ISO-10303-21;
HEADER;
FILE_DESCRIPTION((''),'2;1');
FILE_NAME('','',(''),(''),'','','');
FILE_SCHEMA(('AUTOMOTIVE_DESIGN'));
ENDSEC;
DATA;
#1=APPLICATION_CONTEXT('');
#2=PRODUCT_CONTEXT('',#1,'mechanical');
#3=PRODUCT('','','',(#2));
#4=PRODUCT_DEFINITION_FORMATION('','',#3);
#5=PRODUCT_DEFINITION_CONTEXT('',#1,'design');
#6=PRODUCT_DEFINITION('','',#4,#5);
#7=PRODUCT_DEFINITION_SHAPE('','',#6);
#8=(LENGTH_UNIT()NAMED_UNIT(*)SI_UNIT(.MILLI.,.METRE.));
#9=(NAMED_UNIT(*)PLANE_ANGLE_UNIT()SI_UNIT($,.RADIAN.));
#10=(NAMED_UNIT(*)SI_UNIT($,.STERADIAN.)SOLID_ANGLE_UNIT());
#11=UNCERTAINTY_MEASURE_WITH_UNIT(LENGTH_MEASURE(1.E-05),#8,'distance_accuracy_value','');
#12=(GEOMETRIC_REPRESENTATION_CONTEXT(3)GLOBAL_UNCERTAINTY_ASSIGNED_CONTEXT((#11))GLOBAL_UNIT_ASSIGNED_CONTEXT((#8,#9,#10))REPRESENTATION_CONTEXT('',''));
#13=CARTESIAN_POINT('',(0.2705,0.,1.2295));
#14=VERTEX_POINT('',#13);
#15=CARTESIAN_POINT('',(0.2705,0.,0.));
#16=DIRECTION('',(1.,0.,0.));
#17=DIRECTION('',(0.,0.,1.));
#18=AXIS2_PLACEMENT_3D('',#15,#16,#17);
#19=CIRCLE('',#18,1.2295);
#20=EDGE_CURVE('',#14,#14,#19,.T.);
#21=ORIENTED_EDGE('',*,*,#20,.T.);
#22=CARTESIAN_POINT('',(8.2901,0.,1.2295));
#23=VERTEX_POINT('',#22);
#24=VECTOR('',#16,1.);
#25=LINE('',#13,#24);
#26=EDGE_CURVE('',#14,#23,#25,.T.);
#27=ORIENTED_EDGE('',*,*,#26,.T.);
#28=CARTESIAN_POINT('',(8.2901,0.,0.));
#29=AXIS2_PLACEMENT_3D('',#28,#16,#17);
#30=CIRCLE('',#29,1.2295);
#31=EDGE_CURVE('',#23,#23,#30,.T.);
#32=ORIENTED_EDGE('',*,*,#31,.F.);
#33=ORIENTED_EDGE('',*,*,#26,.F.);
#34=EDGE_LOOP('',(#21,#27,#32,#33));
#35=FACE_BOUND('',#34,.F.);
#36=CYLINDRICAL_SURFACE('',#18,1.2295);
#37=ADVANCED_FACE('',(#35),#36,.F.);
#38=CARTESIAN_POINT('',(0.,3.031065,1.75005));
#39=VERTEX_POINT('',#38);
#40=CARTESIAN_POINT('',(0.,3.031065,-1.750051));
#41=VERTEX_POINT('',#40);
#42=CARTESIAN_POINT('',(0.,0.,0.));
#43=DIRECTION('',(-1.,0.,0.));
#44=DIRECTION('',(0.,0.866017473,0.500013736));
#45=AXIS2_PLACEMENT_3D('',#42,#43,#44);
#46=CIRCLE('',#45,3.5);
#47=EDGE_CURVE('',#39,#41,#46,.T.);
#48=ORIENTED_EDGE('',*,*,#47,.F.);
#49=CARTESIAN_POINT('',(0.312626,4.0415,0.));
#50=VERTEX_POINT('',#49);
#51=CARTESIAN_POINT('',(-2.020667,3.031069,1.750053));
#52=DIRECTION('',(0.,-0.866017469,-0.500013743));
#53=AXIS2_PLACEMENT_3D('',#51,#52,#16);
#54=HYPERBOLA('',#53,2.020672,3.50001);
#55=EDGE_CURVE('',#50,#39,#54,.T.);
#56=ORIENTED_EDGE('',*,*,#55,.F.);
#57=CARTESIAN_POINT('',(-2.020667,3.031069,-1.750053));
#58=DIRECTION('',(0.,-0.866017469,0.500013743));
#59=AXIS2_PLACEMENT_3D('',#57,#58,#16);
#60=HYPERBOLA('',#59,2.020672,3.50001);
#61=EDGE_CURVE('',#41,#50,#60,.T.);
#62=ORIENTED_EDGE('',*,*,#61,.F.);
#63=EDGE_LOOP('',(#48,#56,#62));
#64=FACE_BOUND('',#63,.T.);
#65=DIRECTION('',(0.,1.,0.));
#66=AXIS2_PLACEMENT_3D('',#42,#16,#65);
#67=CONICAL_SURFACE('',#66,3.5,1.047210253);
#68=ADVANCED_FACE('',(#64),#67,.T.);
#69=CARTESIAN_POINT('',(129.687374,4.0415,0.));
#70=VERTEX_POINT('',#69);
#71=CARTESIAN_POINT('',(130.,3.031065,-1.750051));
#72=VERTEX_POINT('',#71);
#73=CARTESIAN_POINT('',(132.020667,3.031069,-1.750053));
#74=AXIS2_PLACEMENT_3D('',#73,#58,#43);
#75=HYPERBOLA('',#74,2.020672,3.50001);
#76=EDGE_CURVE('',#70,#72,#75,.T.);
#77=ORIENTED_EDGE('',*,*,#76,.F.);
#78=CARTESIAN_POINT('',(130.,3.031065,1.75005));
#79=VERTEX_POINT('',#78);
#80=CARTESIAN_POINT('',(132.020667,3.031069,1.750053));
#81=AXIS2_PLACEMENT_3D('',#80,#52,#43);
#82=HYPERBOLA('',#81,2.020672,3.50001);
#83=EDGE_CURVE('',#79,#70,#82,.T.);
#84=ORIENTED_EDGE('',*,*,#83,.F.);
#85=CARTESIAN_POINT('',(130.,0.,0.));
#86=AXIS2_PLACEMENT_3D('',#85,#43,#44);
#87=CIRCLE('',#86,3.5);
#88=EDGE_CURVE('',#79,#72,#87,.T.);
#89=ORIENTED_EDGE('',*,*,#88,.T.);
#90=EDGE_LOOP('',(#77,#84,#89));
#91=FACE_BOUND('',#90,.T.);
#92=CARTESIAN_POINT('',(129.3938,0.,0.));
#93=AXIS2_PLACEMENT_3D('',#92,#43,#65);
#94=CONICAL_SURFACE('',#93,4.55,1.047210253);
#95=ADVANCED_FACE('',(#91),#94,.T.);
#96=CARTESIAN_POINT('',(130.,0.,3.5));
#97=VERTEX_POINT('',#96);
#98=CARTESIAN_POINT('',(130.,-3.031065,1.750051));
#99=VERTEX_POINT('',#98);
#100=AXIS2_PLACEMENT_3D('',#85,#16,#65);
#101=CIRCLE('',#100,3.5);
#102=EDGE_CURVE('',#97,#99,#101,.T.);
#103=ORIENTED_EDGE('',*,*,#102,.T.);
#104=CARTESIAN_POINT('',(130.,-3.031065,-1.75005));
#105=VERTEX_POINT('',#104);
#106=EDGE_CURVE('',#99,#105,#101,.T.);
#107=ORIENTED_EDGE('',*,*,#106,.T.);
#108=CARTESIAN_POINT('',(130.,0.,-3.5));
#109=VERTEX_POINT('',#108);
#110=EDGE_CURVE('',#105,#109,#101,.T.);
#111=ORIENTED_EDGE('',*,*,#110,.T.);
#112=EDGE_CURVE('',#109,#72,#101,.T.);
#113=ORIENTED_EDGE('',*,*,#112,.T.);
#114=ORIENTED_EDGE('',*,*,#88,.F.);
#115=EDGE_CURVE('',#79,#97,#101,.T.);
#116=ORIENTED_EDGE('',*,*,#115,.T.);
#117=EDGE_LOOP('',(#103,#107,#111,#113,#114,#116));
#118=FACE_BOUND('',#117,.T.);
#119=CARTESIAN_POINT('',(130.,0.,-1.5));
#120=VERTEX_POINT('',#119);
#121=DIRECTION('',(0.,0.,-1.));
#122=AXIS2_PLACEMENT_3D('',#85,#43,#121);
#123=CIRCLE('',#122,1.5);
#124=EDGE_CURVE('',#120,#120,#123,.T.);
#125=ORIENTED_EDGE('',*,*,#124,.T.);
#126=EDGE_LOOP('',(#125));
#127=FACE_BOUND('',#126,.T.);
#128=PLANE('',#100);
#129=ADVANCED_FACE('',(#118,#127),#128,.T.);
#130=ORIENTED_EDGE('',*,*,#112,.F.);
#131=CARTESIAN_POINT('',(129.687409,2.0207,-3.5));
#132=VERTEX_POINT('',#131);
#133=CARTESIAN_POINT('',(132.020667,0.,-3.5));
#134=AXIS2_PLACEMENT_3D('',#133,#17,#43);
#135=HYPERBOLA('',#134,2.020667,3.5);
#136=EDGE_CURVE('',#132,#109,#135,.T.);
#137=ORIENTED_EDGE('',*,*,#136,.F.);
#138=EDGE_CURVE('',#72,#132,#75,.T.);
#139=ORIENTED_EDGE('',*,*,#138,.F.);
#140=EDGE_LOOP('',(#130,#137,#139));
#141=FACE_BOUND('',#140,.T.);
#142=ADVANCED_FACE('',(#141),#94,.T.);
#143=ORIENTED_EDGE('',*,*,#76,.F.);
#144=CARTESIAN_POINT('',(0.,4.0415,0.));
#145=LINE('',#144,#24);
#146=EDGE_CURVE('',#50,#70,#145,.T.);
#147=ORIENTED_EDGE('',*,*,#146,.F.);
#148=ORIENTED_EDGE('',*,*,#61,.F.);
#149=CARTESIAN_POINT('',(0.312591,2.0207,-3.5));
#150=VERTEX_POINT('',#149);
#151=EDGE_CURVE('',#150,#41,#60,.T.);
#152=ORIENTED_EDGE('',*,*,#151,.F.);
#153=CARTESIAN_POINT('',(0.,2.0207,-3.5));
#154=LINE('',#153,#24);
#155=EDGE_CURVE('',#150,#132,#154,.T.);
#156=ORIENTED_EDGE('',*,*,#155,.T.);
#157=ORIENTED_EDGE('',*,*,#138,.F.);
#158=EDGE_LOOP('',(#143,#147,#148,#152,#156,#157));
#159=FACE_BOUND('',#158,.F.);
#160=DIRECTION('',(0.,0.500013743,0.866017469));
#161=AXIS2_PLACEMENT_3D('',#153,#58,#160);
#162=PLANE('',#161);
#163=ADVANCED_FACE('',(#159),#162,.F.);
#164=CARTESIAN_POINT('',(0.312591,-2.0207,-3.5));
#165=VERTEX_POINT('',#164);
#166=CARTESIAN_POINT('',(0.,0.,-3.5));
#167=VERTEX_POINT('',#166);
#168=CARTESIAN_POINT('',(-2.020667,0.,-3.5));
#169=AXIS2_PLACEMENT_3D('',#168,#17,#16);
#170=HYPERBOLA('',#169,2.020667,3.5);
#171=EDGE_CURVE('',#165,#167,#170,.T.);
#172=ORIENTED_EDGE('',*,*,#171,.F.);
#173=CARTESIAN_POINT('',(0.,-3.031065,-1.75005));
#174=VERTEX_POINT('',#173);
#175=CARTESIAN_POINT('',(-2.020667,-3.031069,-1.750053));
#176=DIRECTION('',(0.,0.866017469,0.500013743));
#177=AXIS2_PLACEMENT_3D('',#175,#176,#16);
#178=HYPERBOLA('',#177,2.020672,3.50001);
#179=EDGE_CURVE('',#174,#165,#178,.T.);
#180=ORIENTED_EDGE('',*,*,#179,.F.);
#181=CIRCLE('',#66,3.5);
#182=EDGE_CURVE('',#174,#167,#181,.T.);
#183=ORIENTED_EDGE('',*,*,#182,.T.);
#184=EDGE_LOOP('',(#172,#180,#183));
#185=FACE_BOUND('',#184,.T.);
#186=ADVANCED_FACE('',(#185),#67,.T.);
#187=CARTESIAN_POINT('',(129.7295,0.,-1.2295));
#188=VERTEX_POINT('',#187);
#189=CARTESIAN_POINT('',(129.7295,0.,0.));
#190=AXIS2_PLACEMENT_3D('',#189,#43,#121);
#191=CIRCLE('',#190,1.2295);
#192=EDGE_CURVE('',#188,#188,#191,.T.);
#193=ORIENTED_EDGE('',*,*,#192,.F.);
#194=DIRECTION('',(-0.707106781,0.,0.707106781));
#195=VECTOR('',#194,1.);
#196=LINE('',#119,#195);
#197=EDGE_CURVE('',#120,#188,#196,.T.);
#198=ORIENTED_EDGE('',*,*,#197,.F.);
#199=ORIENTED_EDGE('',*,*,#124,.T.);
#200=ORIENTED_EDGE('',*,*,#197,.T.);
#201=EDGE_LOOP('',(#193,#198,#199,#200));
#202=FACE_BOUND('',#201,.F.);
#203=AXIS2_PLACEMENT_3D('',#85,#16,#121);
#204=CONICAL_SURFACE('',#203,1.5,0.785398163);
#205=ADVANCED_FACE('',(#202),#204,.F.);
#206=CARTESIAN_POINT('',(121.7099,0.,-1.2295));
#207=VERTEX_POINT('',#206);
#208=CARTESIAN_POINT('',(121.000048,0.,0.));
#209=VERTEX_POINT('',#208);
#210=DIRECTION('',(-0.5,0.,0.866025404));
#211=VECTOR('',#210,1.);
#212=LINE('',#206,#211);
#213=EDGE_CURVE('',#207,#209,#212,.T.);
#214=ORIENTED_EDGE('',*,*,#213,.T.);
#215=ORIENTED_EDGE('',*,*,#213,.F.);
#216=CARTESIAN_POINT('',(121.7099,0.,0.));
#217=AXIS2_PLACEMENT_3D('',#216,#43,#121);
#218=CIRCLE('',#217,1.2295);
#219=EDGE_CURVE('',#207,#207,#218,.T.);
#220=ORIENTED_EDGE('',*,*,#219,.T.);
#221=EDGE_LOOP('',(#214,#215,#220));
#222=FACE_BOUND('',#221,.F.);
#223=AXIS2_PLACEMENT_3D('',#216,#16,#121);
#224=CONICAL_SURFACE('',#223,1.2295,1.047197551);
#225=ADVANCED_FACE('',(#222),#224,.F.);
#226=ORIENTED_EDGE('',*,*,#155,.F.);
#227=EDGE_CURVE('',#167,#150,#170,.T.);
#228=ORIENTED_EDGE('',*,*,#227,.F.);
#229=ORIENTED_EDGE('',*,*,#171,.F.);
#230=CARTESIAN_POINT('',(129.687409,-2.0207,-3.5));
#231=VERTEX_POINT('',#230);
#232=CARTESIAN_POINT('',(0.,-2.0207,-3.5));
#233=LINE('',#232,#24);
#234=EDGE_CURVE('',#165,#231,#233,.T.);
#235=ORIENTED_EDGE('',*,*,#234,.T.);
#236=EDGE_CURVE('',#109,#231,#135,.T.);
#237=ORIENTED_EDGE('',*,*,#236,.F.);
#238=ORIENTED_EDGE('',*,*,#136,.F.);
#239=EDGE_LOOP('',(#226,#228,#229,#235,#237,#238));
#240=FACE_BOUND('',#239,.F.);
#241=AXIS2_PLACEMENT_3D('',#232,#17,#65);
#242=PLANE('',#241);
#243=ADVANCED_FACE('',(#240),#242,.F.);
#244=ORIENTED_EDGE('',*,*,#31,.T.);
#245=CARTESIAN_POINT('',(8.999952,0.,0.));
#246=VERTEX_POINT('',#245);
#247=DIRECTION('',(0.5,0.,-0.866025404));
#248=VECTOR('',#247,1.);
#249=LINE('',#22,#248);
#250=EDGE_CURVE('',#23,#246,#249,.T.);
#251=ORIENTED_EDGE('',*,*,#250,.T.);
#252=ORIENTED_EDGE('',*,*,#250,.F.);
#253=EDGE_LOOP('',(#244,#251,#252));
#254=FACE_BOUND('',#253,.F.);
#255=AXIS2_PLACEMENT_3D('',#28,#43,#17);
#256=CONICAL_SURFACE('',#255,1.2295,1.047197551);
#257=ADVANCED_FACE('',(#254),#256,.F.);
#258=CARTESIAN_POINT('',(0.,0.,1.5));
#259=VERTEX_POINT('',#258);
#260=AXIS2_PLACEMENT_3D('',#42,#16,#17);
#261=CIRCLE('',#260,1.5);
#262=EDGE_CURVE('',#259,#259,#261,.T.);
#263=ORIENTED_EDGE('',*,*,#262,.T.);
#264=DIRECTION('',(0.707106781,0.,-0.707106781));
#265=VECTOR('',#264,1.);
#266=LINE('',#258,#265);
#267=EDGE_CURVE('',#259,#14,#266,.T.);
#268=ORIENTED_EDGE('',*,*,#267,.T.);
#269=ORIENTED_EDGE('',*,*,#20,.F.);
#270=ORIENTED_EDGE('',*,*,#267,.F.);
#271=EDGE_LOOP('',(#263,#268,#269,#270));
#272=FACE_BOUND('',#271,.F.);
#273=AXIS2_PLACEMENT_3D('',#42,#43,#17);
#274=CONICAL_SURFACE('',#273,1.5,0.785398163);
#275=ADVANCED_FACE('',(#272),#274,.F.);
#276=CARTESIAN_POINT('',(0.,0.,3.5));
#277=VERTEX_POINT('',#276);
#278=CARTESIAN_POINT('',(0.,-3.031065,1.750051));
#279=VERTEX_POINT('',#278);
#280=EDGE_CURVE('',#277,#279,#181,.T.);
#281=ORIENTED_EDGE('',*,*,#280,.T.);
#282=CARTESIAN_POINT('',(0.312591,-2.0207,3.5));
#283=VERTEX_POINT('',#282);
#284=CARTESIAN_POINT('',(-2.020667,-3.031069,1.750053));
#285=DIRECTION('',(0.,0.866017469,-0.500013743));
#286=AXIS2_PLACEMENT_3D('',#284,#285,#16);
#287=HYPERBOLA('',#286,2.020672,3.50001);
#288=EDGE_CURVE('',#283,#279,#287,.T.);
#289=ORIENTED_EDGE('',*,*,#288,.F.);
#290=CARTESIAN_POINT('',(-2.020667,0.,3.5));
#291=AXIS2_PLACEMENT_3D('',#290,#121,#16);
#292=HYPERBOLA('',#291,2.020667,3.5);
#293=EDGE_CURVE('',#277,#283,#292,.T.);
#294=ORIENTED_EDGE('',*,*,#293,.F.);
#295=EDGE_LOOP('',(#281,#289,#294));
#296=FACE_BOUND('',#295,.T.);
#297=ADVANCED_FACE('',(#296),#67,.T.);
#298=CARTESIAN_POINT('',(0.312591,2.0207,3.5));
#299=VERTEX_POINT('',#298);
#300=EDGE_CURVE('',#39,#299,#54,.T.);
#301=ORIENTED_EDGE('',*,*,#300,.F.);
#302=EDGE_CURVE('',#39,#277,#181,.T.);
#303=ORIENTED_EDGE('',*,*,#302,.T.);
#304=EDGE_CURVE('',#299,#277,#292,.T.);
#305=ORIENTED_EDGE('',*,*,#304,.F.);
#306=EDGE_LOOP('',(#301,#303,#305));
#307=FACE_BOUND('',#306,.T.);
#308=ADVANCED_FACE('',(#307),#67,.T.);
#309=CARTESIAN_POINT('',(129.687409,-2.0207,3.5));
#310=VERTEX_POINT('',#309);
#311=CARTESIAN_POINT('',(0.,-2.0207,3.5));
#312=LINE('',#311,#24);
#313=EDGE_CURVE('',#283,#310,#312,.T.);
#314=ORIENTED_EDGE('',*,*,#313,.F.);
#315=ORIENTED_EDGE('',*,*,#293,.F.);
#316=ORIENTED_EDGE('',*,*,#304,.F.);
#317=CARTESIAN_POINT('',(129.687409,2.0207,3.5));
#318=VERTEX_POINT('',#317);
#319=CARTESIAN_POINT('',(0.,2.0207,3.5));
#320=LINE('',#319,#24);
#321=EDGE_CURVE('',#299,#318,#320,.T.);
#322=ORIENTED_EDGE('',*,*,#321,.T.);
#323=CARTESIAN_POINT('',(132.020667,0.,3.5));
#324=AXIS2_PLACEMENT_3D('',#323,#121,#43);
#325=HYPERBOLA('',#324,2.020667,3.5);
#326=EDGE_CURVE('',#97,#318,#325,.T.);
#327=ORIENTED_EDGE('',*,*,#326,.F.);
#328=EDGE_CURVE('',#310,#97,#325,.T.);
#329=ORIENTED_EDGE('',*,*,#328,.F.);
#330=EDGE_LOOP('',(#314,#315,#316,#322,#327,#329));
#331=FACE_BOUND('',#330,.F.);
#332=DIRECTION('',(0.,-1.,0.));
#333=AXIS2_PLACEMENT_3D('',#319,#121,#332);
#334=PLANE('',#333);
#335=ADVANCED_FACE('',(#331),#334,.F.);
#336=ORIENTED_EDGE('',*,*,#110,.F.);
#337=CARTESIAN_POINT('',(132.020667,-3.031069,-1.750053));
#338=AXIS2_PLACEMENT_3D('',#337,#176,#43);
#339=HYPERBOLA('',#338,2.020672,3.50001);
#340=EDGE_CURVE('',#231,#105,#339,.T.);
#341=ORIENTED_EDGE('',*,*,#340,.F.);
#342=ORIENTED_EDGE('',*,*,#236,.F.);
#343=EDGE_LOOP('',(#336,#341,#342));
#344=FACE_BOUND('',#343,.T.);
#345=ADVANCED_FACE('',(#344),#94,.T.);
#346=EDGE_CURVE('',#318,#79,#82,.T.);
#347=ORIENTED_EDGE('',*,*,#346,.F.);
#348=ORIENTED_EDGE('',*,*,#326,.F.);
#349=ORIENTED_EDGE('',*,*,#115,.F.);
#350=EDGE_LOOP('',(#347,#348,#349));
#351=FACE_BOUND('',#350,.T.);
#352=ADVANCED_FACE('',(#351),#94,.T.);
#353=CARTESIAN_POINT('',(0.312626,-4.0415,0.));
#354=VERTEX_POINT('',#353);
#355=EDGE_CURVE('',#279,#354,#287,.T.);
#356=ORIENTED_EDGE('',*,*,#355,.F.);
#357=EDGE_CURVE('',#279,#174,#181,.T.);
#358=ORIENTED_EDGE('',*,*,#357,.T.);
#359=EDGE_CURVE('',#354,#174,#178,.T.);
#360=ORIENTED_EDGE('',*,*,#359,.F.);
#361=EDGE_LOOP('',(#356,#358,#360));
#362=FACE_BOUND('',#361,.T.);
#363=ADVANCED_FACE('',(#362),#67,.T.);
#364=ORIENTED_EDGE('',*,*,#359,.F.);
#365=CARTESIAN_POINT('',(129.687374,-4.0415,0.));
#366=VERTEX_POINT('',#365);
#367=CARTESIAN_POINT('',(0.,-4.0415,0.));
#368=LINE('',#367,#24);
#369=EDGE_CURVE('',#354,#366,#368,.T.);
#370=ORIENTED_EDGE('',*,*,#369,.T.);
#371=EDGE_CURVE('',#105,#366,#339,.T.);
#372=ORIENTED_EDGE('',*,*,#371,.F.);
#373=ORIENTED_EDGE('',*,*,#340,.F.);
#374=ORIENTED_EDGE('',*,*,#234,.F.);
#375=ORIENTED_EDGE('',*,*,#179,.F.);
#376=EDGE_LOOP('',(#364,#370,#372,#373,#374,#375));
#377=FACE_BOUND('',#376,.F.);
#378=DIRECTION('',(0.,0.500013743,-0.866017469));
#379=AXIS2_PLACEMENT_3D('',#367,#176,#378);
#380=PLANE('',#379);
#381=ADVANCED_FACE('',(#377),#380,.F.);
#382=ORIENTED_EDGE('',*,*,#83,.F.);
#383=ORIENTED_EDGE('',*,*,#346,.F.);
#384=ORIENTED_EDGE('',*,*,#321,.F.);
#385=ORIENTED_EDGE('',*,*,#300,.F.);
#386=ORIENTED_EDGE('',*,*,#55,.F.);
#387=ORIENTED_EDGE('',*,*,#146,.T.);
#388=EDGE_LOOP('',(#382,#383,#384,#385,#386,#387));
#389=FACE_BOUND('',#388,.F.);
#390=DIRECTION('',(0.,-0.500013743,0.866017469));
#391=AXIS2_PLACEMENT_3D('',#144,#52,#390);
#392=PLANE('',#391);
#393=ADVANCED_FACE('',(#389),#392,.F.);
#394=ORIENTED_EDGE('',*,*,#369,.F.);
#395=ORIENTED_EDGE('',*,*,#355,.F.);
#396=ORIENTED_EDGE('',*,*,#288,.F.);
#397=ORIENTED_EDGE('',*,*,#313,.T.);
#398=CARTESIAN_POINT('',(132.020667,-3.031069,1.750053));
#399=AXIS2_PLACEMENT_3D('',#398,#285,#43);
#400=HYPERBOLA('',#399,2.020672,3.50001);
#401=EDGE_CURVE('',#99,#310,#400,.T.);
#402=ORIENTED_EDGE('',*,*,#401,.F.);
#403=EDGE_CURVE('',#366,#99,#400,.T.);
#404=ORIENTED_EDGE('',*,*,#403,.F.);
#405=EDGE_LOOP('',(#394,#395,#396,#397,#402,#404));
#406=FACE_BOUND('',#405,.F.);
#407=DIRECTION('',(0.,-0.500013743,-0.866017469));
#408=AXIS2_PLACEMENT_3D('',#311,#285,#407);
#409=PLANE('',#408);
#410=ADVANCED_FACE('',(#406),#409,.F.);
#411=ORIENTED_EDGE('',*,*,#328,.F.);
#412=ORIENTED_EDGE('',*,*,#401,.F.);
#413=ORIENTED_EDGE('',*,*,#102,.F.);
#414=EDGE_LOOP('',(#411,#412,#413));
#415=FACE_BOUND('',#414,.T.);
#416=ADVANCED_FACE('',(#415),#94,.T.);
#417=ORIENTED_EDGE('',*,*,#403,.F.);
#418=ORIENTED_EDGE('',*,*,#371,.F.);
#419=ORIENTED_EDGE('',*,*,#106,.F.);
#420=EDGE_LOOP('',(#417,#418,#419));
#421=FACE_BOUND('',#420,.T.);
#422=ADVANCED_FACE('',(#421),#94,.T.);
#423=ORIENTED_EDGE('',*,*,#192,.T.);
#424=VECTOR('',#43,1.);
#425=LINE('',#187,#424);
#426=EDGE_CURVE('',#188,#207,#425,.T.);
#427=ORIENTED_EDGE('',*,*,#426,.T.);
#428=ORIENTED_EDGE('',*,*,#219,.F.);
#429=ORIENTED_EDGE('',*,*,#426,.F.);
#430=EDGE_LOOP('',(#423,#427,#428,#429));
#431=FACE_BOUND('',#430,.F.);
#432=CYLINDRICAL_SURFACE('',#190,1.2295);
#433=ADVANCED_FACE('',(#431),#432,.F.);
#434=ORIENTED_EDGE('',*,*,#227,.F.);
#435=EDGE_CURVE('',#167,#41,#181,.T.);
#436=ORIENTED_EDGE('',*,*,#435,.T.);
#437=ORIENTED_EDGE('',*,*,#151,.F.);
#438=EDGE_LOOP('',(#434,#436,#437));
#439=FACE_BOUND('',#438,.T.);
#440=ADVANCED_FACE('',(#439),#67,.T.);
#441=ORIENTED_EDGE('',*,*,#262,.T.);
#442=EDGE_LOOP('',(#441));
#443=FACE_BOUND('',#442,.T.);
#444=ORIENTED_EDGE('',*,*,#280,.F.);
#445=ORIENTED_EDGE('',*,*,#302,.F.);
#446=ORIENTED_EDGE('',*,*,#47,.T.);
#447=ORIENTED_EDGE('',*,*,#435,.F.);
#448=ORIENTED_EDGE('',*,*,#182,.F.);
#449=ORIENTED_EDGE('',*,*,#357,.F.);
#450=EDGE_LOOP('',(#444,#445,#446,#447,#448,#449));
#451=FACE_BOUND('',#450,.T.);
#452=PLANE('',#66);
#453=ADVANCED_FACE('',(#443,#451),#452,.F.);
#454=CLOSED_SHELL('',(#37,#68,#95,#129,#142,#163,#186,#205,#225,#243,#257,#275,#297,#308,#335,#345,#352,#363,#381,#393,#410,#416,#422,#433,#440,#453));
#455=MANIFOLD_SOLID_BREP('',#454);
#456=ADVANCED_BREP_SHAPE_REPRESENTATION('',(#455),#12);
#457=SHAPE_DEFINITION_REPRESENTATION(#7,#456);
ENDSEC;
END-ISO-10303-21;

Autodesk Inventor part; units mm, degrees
sketch "Sketch_1" plane through (0, 0, 0) normal (0, 0, 1) x (1, 0, 0)
  line L0 (130, 0) -> (0, 0)
  line L1 (0, 0) -> (0, 3.5)
  line L2 (0, 3.5) -> (0.6062, 4.55)
  line L3 (0.6062, 4.55) -> (129.3938, 4.55)
  line L4 (129.3938, 4.55) -> (130, 3.5)
  line L5 (130, 3.5) -> (130, 0)
  line L6 (130, 0) -> (0, 0)
revolve "Revolution1" add sketch "Sketch_1" angle 360 about axis through (130, 0, 0) along (1, 0, 0)
sketch "Sketch_2" plane through (0, 0, 0) normal (1, 0, 0) x (0, 1, 0)
  line L0 (7, 7) -> (-7, 7)
  line L1 (-7, 7) -> (-7, -7)
  line L2 (-7, -7) -> (7, -7)
  line L3 (7, -7) -> (7, 7)
  line L4 (-2.0207, 3.5) -> (-4.0415, 0)
  line L5 (-4.0415, 0) -> (-2.0207, -3.5)
  line L6 (-2.0207, -3.5) -> (2.0207, -3.5)
  line L7 (2.0207, -3.5) -> (4.0415, 0)
  line L8 (4.0415, 0) -> (2.0207, 3.5)
  line L9 (2.0207, 3.5) -> (-2.0207, 3.5)
extrude "Extrusion1" cut sketch "Sketch_2" along normal blind 130
sketch "Sketch3" plane through (0, 0, 0) normal (-1, 0, 0) x (0, 0, 1)
  point P0 (0, 0)
hole "Hole1" at (0, 0, 0) direction (1, 0, 0) diameter 2.459 depth 8.2901 tip angle 120 countersink diameter 3 countersink angle 90 thread size "M3x0.5" class "6H" standard "ISO Metric profile"
sketch "Sketch4" plane through (130, 0, 0) normal (1, 0, 0) x (0, 0, -1)
  point P0 (0, 0)
hole "Hole2" at (130, 0, 0) direction (-1, 0, 0) diameter 2.459 depth 8.2901 tip angle 120 countersink diameter 3 countersink angle 90 thread size "M3x0.5" class "6H" standard "ISO Metric profile"
ref_plane "C3_XY" through (130, 0, 0) normal (-1, 0, 0) x (0, 0, -1)
ref_plane "C3_YZ" through (130, 0, 0) normal (0, 0, -1) x (0, -1, 0)
ref_plane "C3_ZX" through (130, 0, 0) normal (0, -1, 0) x (-1, 0, 0)
properties part number "SLSBF7-130-M3-N3"
